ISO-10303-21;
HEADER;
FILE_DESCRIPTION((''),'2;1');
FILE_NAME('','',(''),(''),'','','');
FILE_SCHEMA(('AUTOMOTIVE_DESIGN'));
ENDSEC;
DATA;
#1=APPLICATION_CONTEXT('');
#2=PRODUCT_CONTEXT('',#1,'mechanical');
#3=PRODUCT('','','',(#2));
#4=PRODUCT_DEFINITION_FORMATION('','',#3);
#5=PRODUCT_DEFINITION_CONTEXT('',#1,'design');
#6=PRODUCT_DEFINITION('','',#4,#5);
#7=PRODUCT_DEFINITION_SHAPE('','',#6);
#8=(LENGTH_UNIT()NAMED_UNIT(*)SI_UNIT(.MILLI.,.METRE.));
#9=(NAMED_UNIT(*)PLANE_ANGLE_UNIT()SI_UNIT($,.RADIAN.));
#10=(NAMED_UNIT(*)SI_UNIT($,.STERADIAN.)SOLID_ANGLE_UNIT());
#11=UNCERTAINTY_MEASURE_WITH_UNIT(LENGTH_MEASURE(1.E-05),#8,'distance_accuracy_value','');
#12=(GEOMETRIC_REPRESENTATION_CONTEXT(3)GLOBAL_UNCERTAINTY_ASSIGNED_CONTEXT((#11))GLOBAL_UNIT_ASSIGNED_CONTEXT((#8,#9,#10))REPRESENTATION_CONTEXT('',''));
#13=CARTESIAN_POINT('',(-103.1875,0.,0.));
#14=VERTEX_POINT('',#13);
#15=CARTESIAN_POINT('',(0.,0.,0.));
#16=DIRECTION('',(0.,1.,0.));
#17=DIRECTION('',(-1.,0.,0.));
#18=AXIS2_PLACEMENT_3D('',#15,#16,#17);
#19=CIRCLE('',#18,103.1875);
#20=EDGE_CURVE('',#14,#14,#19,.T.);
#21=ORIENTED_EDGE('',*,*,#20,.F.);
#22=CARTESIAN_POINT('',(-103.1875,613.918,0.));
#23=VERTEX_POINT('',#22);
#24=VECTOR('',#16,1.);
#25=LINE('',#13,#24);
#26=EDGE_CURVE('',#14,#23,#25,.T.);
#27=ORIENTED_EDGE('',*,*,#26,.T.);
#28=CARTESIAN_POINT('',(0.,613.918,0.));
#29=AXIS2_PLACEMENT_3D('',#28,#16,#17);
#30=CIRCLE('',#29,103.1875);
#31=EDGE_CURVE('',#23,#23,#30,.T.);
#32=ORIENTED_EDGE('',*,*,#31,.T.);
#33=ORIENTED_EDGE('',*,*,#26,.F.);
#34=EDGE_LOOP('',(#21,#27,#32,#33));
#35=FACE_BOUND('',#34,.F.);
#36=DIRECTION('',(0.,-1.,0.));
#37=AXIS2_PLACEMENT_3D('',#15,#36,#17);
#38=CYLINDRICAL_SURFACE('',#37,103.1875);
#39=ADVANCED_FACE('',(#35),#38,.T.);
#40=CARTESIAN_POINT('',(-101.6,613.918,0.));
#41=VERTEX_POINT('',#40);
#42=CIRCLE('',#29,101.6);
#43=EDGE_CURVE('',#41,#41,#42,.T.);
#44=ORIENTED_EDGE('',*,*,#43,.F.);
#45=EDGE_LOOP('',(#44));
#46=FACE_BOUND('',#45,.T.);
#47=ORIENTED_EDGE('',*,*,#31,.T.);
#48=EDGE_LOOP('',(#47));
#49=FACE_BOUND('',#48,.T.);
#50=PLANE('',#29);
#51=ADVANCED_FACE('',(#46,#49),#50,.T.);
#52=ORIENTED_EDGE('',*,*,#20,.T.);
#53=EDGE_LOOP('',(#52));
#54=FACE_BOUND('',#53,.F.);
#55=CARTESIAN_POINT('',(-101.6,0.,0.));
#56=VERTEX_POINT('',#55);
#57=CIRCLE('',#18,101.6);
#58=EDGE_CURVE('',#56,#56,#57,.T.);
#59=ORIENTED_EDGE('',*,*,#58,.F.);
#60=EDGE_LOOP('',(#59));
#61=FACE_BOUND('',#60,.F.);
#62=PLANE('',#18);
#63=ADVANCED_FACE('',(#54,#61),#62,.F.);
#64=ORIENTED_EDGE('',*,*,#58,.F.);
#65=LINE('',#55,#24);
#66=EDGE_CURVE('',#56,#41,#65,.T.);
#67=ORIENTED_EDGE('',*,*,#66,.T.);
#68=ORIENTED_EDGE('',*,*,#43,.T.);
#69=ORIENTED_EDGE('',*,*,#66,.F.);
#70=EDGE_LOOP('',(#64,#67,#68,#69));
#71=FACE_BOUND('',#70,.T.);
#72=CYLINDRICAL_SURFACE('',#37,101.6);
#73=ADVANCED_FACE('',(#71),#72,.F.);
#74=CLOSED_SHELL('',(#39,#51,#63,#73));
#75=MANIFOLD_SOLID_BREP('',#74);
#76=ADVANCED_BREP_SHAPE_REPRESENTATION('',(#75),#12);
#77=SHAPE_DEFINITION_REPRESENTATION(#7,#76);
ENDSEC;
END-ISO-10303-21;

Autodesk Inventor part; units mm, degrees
ref_plane "YZ Plane" through (0, 0, 0) normal (1, 0, 0) x (0, 1, 0)
ref_plane "XZ Plane" through (0, 0, 0) normal (0, 1, 0) x (-1, 0, 0)
ref_plane "XY Plane" through (0, 0, 0) normal (0, 0, 1) x (1, 0, 0)
sketch "Sketch1" plane through (0, 0, 0) normal (0, 1, 0) x (-1, 0, 0)
  circle A0 centre (0, 0) radius 101.6
  circle A1 centre (0, 0) radius 103.1875
  dimension "d0" = 206.375
  dimension "d1" = 203.2
extrude "Extrusion1" add sketch "Sketch1" along normal blind 613.918
properties part number "fin_can" material "Aluminum 6061"
